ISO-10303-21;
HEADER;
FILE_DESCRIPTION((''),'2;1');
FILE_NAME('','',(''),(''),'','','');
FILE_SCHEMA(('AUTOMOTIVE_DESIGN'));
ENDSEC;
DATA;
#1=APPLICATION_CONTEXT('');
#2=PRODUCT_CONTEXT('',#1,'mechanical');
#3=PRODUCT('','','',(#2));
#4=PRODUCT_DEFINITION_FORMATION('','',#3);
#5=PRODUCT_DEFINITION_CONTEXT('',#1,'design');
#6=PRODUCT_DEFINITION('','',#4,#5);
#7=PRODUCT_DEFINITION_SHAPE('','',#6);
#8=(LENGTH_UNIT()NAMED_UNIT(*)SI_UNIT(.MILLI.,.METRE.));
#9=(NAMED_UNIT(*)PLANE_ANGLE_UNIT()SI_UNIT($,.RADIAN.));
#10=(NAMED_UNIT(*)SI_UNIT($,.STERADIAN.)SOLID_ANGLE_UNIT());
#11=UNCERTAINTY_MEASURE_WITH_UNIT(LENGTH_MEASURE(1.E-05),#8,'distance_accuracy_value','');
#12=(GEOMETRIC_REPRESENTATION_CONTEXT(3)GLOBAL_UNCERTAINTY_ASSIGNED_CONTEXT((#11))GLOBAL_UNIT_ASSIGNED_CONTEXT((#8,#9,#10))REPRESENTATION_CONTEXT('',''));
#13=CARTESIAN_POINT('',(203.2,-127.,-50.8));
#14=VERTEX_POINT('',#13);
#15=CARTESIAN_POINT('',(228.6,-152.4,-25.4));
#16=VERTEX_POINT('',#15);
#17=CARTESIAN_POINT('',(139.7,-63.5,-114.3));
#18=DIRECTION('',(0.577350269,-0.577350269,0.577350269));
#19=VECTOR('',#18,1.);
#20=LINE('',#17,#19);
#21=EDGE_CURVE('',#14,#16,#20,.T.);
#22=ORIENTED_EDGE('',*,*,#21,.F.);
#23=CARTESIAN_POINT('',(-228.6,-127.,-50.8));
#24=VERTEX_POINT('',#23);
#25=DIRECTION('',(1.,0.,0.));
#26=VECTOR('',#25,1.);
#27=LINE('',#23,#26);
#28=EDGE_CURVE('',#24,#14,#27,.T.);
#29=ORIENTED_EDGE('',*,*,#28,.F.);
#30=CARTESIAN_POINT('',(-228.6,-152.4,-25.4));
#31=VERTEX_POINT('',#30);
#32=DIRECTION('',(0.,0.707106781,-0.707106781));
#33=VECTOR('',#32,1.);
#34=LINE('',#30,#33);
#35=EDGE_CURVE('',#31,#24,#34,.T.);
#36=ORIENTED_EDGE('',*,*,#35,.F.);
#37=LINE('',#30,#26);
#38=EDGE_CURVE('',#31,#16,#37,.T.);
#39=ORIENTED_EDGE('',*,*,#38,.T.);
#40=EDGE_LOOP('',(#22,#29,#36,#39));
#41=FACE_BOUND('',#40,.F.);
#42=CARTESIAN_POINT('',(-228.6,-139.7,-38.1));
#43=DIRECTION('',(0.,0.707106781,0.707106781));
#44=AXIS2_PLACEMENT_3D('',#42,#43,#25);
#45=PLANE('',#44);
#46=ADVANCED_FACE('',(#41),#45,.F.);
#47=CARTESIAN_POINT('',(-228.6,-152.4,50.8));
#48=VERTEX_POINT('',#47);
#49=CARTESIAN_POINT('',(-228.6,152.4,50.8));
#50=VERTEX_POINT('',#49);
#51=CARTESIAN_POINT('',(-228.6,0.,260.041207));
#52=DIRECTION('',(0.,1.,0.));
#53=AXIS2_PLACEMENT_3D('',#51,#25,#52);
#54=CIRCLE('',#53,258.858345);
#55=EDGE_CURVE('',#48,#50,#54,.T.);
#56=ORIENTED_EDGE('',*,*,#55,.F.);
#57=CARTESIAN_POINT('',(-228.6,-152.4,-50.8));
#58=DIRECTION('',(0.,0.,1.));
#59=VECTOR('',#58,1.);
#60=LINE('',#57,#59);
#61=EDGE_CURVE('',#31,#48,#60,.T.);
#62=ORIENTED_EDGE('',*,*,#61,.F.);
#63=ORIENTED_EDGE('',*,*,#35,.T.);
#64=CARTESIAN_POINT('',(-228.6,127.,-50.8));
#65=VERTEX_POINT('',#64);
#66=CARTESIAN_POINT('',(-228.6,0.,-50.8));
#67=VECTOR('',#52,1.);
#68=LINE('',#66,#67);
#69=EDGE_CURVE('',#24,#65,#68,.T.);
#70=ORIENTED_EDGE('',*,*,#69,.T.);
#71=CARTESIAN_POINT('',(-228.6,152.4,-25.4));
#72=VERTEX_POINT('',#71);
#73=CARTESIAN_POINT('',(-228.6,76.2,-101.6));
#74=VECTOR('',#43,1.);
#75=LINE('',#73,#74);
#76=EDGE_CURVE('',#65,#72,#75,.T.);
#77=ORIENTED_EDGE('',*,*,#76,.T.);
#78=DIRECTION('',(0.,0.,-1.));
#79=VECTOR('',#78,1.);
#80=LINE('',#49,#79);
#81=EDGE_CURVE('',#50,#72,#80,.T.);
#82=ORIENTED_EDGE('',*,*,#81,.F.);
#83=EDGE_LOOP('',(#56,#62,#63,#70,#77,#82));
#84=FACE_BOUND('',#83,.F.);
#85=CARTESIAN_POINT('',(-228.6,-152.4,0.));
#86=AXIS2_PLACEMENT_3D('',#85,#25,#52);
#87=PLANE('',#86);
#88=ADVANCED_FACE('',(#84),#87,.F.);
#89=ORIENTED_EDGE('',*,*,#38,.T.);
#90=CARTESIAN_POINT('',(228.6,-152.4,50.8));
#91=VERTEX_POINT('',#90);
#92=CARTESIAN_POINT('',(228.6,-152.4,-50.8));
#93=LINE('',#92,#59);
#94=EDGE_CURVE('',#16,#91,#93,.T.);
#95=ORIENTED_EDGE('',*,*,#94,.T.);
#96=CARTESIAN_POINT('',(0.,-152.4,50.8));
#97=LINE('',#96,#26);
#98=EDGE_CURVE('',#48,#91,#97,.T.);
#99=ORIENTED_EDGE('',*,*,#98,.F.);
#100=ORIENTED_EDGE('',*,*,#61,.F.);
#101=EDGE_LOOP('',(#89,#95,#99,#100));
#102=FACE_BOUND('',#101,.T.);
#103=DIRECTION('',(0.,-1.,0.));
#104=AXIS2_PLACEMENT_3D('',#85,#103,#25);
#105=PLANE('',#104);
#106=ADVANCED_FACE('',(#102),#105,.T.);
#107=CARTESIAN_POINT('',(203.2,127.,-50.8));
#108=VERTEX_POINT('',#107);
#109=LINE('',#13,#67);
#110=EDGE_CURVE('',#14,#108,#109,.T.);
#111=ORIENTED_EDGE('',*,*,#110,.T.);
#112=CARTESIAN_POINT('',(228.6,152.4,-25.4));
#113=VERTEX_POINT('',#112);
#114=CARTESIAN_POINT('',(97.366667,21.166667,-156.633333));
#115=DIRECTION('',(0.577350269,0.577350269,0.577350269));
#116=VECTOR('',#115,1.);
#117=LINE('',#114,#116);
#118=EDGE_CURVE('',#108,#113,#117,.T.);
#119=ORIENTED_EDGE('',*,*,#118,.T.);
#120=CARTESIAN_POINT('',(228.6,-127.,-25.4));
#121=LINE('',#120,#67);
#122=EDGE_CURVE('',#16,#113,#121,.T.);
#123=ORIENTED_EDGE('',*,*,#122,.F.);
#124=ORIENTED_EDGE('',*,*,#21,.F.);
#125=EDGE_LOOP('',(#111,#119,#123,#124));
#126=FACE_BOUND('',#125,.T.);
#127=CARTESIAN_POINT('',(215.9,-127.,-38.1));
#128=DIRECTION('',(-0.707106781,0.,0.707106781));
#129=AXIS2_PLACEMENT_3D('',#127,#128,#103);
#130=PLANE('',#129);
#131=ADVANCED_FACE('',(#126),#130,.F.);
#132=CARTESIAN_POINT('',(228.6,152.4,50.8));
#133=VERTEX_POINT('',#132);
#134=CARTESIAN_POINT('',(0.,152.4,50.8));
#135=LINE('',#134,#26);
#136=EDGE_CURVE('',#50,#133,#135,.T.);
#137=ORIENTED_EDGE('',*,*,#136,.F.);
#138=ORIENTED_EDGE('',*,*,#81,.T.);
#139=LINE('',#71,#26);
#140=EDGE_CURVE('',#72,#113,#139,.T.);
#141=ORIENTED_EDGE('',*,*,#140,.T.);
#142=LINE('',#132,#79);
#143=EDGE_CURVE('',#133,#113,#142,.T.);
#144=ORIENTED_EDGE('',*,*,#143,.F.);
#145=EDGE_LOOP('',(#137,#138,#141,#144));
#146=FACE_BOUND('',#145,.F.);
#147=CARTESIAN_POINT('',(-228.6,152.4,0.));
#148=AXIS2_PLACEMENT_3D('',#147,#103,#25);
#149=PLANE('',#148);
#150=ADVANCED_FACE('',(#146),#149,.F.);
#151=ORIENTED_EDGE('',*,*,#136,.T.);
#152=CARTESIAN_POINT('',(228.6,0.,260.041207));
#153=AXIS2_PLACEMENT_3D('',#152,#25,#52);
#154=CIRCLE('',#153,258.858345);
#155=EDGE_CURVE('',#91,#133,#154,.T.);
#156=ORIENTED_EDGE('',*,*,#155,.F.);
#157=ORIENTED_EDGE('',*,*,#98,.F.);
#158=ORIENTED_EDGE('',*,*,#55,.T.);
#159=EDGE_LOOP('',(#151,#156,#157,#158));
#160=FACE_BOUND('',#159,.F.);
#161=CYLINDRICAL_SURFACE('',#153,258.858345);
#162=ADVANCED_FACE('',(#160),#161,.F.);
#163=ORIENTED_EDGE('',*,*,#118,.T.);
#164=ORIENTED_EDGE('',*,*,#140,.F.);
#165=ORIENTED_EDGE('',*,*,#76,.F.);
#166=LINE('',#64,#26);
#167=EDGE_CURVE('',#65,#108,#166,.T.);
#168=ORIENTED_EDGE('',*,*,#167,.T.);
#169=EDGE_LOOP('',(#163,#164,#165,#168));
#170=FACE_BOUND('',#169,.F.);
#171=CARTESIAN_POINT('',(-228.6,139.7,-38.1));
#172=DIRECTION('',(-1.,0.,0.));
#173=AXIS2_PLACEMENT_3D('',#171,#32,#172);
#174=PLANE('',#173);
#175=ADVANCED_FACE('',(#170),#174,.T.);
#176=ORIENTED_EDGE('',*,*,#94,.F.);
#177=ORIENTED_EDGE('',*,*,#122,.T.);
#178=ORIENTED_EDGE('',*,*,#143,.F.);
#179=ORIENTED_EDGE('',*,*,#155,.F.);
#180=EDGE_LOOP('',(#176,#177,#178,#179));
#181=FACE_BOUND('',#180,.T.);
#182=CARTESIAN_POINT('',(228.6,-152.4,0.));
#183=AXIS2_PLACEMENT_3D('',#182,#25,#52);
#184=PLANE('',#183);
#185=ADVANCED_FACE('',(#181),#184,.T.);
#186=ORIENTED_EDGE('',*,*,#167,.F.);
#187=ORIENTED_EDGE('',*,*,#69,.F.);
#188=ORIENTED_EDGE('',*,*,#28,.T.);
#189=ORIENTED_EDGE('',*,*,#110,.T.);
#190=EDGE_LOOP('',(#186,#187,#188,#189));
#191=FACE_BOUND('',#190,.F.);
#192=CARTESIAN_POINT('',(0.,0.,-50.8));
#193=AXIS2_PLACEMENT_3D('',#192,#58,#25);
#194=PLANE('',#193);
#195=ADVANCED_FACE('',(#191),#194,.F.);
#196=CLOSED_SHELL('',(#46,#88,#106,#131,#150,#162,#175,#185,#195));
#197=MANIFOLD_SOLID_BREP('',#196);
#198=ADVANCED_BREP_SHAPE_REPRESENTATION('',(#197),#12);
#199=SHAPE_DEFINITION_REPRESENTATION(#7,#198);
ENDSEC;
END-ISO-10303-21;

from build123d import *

# Parameters (mm, degrees)
F0_W     = 457.2
F0_H     = 304.8
F1_DEPTH = 50.8
F2_R     = 258.858345
F3_DEPTH = 457.2
F4_SIZE  = 25.4
F5_SIZE  = 25.4


with BuildPart() as f1:
    # F0 (on Top) → F1 (new body, symmetric)
    with BuildSketch(Plane.XY):
        Rectangle(F0_W, F0_H)
    extrude(amount=F1_DEPTH, both=True)

    # F2 (on face) → F3 (cut, through all)
    with BuildSketch(Plane.YZ.offset(228.6)):
        with Locations((0, 260.041207)):
            Circle(F2_R)
    extrude(amount=-F3_DEPTH, mode=Mode.SUBTRACT)

    # F4
    f4_edges = [f1.edges().sort_by_distance(p)[0] for p in [
        (0, -152.4, -50.8),
    ]]
    chamfer(f4_edges, length=F4_SIZE)

    # F5
    f5_edges = [f1.edges().sort_by_distance(p)[0] for p in [
        (228.6, 12.7, -50.8),
        (0, 152.4, -50.8),
    ]]
    chamfer(f5_edges, length=F5_SIZE)


solid = f1.part
